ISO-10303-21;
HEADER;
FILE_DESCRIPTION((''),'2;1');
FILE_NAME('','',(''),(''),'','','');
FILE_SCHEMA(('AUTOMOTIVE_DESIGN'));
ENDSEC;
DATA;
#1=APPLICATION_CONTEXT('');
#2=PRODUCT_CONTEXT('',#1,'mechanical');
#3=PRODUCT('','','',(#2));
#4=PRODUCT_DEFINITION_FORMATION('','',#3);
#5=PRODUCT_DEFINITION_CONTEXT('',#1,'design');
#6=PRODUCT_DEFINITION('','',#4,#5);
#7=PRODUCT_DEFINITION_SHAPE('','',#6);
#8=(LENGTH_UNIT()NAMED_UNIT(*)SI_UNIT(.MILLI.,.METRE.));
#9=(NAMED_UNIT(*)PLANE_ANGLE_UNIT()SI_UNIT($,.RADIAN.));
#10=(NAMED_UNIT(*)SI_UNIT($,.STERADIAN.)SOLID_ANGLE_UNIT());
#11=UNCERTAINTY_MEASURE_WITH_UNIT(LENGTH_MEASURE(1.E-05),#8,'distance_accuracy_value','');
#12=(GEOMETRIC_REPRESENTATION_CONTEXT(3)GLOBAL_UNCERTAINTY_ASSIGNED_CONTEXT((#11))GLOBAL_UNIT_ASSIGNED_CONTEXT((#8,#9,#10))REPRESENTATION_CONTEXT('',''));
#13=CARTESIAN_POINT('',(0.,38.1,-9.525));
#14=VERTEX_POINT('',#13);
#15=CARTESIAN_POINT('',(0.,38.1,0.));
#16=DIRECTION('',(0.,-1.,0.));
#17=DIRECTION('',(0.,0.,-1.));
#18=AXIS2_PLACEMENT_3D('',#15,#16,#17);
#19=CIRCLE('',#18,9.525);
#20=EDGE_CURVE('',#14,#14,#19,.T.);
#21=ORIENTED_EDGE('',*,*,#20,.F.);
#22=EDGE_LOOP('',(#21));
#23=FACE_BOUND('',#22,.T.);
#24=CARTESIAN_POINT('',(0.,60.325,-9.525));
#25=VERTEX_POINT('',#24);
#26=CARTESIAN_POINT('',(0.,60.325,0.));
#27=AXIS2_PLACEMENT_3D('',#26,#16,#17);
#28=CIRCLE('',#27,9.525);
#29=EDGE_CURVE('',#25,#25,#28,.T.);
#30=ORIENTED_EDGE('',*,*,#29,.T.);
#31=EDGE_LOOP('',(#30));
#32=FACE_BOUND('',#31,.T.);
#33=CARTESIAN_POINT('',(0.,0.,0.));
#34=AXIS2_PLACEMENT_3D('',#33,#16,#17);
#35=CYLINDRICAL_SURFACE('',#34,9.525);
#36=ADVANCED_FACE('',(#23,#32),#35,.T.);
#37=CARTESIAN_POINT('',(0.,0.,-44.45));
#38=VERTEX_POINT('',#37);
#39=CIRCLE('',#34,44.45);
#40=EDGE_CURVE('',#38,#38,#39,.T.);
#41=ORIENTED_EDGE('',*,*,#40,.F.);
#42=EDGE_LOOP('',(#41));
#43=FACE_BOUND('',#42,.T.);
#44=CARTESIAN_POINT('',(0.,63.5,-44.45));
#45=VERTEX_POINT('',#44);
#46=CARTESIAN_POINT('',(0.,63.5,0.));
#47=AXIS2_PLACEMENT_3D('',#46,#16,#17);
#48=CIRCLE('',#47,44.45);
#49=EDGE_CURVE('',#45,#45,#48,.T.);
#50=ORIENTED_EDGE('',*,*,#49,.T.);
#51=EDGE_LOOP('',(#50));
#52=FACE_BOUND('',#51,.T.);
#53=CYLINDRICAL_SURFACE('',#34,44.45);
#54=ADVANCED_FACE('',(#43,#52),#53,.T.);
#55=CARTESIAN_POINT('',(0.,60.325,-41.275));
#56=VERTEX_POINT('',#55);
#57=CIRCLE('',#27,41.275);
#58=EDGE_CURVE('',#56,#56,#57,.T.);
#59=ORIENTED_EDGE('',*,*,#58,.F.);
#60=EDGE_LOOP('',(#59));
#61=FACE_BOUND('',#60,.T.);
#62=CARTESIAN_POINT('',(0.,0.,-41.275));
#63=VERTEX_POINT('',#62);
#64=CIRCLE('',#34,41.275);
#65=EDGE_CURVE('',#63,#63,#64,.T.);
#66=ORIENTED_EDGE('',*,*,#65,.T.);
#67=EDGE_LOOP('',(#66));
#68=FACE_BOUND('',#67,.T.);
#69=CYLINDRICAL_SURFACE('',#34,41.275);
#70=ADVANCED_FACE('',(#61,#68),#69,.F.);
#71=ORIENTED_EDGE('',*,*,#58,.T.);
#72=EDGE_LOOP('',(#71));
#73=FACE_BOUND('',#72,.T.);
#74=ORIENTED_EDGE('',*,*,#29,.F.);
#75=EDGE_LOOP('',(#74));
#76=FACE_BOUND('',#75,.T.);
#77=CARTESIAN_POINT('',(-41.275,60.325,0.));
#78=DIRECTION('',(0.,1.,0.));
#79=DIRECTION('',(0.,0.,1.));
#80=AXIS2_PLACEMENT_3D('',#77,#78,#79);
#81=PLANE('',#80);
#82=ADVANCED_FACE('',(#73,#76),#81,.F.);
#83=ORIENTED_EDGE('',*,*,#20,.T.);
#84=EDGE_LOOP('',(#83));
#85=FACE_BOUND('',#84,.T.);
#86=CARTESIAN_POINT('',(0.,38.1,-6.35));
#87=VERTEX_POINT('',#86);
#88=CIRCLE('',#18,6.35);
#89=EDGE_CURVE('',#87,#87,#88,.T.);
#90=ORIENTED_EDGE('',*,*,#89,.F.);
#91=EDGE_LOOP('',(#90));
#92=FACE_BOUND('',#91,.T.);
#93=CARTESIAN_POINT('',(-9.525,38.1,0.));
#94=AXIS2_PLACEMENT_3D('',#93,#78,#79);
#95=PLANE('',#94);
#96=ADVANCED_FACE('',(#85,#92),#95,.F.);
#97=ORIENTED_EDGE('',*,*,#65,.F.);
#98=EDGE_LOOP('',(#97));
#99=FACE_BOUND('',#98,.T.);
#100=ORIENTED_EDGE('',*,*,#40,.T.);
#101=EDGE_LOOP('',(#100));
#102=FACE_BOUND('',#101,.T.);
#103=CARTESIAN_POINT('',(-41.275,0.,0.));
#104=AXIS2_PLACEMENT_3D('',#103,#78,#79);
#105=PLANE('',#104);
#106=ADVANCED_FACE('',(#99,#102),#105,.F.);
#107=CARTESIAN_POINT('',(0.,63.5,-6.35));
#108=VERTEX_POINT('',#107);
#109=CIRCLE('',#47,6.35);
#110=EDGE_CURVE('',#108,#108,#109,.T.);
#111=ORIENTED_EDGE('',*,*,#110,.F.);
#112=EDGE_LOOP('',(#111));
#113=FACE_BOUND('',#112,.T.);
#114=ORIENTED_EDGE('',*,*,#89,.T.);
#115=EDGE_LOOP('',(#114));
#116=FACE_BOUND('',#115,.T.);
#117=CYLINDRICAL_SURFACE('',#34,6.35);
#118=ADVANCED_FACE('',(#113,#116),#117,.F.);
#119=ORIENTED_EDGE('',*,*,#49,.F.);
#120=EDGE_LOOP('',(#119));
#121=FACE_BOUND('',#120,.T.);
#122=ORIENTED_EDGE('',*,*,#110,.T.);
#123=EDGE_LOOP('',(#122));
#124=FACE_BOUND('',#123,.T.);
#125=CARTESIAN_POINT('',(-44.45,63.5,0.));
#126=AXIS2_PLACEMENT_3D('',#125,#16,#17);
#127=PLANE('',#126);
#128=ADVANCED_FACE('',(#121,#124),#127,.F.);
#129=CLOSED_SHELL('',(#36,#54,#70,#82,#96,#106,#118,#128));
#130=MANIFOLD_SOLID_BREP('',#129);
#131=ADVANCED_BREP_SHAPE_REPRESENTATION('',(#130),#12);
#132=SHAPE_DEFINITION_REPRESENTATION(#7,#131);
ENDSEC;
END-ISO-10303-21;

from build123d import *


with BuildPart() as part:
    # Sketch1 → Revolve1 (revolve)
    with BuildSketch(Plane.XY):
        Polygon((-41.275, 0), (-44.45, 0), (-44.45, 63.5), (-6.35, 63.5), (-6.35, 38.1), (-9.525, 38.1), (-9.525, 60.325), (-41.275, 60.325), align=None)
    revolve(axis=Axis((0, 0, 0), (0, 1, 0)))


solid = part.part
